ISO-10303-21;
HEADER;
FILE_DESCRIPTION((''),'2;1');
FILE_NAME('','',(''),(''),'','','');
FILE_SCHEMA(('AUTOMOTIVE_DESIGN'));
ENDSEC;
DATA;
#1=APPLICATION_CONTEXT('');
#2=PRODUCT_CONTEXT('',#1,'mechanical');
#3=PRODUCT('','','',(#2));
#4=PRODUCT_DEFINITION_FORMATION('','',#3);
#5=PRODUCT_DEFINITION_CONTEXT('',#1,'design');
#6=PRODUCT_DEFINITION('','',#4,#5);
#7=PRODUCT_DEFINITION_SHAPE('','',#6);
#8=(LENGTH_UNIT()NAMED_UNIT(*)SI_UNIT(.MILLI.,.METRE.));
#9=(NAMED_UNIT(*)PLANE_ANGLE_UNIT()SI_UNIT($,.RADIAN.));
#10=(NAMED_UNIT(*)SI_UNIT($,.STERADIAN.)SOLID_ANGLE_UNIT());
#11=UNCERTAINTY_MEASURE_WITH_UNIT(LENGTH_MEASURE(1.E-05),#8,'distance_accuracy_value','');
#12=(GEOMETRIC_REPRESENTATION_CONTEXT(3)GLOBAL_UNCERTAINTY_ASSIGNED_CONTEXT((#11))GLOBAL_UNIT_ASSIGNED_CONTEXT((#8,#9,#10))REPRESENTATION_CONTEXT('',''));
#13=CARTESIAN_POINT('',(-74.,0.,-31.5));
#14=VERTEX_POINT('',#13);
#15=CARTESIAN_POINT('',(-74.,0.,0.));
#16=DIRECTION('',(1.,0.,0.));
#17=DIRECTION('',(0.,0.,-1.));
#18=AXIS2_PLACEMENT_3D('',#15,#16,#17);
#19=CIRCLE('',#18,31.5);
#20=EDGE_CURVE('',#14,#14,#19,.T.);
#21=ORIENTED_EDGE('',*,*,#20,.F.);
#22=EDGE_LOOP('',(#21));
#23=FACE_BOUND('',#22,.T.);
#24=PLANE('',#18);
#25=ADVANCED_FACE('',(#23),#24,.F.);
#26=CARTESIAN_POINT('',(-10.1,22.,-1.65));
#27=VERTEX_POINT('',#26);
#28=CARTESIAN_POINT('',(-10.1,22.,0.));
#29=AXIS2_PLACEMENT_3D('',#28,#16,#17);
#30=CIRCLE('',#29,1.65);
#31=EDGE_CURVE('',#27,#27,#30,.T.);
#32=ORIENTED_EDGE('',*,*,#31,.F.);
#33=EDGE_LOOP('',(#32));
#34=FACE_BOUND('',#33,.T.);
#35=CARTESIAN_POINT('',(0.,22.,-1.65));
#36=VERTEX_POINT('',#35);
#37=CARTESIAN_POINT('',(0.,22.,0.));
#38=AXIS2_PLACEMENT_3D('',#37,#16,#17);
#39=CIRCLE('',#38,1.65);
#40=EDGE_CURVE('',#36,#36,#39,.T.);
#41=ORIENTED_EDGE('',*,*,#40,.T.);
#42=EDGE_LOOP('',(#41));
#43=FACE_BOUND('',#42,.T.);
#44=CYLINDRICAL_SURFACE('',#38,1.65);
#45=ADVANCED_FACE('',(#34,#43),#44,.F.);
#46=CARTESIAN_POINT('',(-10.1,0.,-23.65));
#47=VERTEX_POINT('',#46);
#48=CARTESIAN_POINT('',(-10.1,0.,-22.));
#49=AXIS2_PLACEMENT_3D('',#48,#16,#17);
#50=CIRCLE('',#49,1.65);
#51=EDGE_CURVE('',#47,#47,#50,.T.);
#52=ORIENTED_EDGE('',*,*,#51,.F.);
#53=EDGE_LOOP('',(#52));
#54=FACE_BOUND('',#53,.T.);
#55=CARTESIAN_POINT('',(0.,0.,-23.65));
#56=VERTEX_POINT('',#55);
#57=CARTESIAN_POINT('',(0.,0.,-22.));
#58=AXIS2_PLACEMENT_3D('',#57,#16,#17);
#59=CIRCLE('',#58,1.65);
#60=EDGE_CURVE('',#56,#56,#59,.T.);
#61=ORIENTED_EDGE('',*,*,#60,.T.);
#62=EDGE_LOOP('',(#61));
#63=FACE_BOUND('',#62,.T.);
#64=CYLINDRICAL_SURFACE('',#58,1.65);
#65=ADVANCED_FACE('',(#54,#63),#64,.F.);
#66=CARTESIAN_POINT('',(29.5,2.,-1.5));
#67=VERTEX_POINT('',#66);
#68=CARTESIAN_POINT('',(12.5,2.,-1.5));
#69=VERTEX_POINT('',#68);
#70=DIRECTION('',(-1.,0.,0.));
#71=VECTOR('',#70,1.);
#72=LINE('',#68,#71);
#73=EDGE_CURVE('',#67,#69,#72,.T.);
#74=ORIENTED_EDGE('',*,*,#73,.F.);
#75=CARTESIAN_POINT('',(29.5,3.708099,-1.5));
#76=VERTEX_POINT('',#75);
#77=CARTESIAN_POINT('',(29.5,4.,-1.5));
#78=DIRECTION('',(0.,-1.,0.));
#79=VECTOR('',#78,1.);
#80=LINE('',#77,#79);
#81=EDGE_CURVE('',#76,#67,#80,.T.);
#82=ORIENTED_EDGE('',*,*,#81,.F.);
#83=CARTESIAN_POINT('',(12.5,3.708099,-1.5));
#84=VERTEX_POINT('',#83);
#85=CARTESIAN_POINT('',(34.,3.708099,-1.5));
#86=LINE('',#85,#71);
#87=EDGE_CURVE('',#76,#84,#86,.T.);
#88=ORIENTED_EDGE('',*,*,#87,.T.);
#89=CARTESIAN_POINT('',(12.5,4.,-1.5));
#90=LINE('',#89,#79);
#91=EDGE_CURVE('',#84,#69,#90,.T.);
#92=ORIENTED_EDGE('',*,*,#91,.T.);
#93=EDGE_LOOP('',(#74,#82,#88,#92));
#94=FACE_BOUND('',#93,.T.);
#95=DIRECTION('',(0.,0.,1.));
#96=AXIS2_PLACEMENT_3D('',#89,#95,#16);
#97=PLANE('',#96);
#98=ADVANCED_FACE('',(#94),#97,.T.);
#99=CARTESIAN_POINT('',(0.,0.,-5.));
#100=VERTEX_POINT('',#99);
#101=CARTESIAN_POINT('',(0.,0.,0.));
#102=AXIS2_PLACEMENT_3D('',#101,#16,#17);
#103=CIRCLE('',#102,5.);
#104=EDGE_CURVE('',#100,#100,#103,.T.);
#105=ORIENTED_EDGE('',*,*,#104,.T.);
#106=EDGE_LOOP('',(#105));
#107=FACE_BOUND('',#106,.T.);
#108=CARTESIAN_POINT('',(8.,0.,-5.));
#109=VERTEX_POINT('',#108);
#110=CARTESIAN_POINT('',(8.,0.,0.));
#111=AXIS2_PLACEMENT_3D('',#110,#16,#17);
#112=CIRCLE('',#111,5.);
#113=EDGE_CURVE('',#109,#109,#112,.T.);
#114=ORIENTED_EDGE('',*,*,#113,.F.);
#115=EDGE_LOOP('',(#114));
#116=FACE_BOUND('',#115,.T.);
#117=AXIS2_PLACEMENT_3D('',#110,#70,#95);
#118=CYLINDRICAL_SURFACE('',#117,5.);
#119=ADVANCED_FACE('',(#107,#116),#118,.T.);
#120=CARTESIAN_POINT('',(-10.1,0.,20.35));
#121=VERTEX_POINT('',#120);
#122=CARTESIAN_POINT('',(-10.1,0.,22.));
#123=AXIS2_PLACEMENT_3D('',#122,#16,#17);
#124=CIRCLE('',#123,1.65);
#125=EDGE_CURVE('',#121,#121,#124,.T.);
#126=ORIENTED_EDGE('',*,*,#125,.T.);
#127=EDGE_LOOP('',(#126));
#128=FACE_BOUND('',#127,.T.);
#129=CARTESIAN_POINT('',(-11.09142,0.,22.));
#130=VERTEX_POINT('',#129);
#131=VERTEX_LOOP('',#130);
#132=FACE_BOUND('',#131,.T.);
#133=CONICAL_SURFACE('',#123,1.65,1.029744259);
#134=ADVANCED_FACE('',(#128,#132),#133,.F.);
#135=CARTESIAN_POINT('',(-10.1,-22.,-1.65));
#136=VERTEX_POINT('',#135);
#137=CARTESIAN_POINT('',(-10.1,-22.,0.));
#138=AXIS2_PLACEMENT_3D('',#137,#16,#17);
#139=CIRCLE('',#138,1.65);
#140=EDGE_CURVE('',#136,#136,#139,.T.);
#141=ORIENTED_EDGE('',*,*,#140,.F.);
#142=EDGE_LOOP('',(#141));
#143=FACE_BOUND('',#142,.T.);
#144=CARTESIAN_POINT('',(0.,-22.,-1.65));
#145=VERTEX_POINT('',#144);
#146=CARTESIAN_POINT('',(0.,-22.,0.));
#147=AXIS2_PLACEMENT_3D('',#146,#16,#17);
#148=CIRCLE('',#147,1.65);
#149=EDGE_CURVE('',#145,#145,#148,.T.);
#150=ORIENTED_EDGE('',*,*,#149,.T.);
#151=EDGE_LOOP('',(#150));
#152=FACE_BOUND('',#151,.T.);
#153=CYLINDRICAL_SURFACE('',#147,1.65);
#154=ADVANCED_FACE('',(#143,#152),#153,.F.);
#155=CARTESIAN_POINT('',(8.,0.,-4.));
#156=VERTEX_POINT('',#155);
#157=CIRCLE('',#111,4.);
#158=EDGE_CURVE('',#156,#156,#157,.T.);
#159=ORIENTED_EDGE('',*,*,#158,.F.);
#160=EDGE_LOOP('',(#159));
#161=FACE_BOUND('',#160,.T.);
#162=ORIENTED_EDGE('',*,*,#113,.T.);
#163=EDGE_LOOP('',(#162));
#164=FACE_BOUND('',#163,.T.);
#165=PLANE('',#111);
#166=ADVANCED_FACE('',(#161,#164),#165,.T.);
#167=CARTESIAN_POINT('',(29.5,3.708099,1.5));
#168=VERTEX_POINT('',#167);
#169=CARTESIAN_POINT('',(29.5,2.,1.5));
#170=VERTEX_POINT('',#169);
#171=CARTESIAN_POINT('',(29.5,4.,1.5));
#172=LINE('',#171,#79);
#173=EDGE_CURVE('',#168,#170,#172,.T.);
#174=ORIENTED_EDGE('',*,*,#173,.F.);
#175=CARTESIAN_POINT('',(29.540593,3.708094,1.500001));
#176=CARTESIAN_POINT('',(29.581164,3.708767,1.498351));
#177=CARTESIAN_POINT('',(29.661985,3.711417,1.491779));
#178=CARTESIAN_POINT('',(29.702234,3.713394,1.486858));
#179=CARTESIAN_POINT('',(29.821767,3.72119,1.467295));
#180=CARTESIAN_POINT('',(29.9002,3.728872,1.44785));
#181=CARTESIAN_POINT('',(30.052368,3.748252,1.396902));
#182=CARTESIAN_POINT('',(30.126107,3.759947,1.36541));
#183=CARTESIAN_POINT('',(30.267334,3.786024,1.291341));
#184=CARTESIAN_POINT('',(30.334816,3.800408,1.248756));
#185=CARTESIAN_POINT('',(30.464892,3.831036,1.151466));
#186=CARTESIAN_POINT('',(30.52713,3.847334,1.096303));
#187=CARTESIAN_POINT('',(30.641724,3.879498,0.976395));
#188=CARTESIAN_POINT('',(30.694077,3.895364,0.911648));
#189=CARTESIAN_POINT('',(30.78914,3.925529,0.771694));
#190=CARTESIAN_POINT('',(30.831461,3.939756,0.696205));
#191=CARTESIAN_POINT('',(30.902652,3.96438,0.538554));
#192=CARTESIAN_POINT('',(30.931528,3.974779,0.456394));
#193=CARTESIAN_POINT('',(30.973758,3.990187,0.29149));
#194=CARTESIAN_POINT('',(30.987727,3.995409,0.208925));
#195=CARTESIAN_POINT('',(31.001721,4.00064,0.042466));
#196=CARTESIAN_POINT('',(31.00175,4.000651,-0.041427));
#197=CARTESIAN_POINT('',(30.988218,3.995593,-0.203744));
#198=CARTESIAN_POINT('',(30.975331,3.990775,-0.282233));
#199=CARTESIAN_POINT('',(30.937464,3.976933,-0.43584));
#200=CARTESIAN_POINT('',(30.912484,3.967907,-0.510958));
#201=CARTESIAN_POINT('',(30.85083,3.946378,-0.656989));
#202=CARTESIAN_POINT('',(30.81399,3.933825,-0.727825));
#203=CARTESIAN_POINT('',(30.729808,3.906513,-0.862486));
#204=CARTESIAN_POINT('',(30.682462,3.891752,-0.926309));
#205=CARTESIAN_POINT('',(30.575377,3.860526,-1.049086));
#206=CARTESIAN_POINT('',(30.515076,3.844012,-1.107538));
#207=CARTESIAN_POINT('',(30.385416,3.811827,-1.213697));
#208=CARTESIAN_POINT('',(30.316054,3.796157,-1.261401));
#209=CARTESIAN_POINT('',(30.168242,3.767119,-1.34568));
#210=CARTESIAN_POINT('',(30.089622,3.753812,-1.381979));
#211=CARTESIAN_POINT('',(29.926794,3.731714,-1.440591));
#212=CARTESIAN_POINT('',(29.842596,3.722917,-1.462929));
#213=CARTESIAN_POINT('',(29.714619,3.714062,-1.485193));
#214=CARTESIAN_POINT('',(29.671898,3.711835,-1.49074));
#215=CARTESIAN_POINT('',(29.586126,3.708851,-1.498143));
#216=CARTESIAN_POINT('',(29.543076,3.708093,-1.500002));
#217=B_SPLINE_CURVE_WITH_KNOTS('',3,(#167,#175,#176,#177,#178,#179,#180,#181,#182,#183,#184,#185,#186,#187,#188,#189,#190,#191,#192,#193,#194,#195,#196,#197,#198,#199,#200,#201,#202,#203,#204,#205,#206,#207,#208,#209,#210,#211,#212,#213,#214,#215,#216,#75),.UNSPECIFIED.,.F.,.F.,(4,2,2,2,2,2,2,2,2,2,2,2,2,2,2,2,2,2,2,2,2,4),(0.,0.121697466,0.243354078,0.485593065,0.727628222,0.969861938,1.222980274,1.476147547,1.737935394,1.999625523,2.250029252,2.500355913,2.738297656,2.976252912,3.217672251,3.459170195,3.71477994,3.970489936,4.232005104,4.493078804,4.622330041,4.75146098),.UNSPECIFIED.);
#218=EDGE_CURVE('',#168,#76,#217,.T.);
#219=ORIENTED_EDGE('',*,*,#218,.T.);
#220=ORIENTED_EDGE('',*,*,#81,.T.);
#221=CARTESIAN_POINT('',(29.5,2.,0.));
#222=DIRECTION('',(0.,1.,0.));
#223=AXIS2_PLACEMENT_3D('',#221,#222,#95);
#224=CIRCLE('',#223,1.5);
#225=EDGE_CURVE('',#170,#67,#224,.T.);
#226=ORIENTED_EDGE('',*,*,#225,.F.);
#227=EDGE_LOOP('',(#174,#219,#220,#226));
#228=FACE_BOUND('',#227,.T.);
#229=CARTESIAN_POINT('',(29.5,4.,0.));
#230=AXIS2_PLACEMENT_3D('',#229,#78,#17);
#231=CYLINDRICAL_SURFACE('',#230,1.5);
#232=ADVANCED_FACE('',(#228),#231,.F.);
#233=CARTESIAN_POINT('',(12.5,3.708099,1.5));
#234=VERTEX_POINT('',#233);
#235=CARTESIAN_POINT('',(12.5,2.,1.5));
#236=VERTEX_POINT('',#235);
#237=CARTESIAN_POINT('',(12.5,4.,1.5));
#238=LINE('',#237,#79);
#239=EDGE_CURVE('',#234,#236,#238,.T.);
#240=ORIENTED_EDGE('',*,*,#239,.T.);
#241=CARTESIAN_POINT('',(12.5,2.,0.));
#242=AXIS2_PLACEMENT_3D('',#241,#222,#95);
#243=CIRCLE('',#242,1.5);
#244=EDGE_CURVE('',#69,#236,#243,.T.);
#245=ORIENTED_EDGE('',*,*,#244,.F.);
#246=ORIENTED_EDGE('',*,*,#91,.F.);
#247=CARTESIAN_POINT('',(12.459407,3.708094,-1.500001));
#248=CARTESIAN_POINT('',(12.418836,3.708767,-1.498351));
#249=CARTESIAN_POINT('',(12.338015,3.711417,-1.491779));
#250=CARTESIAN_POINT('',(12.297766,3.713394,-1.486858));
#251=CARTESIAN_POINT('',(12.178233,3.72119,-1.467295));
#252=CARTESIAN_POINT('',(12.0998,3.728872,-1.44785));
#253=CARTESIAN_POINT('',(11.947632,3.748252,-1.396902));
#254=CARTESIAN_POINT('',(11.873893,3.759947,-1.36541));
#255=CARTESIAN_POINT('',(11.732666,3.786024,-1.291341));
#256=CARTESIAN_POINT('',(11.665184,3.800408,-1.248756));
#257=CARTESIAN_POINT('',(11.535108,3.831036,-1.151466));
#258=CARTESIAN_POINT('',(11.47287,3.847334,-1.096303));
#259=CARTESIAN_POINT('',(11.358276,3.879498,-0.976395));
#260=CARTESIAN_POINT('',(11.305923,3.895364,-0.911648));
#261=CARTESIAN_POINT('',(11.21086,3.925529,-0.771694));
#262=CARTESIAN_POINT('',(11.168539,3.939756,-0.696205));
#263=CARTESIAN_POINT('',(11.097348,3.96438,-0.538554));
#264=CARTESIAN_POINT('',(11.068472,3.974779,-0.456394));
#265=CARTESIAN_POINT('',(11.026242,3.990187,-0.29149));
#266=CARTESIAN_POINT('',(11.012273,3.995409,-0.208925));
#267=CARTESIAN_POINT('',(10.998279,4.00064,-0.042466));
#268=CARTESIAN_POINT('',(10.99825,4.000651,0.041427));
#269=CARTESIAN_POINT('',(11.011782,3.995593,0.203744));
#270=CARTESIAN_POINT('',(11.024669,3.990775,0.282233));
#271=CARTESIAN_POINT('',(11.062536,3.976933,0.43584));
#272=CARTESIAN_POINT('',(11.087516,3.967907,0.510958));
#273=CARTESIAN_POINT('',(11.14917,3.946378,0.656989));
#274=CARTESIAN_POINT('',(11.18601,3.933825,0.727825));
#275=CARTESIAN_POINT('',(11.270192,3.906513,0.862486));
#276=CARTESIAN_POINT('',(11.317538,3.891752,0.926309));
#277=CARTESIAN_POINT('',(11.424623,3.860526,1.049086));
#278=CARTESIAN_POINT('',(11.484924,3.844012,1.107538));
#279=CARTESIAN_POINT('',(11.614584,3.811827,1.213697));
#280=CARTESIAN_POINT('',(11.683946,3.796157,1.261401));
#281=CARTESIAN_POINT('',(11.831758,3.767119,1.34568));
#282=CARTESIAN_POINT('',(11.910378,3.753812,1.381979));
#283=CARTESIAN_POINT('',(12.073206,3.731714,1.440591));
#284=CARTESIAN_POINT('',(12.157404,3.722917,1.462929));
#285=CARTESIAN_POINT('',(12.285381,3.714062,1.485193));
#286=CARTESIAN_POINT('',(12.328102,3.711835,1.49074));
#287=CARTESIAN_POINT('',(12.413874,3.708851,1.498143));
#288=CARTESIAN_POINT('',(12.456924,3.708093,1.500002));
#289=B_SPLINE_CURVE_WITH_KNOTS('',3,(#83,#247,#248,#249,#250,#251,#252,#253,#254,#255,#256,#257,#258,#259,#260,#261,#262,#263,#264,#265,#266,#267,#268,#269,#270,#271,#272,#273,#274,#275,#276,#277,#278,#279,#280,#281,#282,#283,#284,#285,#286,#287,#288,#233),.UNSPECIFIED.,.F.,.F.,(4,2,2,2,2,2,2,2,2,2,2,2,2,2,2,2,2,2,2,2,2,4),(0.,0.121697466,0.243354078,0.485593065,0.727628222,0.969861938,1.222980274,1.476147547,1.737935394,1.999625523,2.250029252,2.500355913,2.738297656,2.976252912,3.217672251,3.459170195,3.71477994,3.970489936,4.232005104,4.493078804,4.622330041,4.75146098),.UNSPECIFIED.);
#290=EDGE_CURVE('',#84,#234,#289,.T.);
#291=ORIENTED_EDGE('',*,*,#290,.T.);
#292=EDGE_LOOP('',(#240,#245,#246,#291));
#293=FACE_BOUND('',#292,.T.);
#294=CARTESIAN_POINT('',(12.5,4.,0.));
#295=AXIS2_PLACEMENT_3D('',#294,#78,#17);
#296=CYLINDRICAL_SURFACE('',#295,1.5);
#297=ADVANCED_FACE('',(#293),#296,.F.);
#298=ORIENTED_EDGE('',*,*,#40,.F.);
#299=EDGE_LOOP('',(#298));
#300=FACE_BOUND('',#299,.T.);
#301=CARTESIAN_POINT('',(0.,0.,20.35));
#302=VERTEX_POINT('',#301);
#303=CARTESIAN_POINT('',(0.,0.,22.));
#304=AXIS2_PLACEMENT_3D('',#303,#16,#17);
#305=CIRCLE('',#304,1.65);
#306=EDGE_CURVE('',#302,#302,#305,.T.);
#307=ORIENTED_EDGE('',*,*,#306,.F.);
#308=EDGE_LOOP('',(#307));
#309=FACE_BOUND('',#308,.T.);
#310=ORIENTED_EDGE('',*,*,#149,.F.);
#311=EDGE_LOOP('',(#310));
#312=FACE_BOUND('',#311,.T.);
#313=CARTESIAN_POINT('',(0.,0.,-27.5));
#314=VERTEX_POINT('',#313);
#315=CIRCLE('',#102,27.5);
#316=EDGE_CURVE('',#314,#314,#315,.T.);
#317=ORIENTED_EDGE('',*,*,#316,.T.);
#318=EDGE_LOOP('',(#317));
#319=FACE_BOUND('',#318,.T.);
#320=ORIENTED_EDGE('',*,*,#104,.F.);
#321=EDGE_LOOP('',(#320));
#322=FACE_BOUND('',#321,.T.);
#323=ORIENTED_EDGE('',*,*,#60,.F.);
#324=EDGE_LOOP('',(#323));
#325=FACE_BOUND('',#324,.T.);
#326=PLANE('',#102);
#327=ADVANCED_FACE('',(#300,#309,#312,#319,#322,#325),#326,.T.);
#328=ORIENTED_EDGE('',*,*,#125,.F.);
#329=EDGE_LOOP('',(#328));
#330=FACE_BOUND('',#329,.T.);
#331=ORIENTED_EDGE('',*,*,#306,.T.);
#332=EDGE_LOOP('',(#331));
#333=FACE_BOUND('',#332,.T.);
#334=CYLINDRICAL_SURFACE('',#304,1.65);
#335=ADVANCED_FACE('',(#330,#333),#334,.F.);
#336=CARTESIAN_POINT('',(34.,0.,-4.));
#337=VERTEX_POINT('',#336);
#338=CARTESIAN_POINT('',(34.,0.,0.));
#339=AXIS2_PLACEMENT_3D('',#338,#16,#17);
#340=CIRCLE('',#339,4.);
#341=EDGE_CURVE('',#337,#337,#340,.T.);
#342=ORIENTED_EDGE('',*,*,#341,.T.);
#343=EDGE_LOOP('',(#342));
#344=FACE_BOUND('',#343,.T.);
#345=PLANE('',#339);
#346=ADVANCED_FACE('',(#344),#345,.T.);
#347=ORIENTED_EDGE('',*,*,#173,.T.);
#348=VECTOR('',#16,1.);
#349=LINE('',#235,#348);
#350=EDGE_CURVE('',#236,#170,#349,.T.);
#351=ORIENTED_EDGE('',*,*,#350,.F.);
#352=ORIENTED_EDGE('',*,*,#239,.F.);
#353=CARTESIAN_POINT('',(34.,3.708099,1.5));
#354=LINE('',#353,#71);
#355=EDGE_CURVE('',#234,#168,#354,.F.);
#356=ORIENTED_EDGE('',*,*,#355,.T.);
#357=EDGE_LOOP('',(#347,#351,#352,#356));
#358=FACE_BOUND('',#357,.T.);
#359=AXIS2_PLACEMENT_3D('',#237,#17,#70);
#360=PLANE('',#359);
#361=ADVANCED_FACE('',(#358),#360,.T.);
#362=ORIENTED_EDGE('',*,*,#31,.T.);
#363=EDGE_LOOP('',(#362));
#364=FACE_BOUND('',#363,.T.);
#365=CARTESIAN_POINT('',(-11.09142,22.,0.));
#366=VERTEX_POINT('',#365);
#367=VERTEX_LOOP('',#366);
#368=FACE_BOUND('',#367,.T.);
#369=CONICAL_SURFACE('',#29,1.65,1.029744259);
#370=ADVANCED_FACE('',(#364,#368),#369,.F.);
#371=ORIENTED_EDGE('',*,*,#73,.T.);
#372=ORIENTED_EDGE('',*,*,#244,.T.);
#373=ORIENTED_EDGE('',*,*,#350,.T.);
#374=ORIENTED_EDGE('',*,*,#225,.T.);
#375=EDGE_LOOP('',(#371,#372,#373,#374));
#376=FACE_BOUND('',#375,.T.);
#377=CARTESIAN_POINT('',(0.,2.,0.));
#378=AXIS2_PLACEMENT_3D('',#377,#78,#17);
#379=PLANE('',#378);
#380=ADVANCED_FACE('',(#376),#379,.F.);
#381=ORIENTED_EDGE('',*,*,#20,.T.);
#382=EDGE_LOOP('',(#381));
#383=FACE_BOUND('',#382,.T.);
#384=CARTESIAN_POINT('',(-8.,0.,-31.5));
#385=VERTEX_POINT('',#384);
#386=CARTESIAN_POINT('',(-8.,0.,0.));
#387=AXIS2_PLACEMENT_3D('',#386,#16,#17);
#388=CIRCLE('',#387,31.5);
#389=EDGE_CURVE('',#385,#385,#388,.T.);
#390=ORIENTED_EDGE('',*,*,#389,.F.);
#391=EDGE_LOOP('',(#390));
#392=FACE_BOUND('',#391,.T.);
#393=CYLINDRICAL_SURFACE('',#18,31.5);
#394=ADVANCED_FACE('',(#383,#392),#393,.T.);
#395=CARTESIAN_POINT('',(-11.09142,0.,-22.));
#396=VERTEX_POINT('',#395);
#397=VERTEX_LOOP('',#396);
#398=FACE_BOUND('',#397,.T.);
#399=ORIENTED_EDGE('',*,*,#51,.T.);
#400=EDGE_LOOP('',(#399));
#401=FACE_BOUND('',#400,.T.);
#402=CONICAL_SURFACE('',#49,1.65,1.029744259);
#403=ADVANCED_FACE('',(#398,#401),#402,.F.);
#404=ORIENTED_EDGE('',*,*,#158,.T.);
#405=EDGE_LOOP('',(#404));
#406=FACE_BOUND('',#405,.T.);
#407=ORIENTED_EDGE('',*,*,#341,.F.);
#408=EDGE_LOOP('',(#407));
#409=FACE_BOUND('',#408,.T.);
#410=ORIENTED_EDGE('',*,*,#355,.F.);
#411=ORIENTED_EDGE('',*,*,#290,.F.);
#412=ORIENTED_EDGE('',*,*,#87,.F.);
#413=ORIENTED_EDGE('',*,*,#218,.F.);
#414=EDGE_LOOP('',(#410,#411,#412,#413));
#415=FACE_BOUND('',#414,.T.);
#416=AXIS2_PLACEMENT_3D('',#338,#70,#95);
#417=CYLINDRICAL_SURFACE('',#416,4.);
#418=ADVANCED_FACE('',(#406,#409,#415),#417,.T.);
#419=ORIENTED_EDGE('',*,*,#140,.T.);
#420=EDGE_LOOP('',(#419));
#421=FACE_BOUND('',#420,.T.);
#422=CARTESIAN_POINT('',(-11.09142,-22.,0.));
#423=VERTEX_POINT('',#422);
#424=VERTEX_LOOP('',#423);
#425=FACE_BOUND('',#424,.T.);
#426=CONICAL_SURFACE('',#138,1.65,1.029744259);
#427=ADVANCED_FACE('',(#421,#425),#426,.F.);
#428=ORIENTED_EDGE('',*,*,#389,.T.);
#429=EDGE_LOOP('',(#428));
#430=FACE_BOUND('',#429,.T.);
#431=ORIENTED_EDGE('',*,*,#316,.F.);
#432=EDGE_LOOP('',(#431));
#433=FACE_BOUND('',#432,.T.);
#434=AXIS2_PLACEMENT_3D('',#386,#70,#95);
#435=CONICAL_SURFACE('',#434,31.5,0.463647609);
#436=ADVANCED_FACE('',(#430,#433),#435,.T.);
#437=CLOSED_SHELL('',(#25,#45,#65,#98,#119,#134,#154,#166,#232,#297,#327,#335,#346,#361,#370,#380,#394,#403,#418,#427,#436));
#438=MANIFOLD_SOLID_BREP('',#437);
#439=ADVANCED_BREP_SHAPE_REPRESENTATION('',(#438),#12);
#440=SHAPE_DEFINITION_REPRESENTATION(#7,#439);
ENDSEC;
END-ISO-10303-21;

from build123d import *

# Parameters (mm, degrees)
SKETCH_1_R          = 31.5
EXTRUDE_1_DEPTH     = 74
SKETCH_2_R          = 5
EXTRUDE_2_DEPTH     = 8
SKETCH_3_R          = 4
EXTRUDE_3_DEPTH     = 26
CUT_EXTRUDE_1_DEPTH = 2
M4X0_7_1_D          = 3.3
M4X0_7_1_DEPTH      = 10.1
M4X0_7_1_TIP        = 0.991420021


with BuildPart() as part:
    # 草图1 → 凸台-拉伸1 (new body)
    with BuildSketch(Plane(origin=(0, 0, 0), x_dir=(0, 0, -1), z_dir=(1, 0, 0))):
        Circle(SKETCH_1_R)
    extrude(amount=-EXTRUDE_1_DEPTH)

    # 草图2 → 凸台-拉伸2 (add)
    with BuildSketch(Plane(origin=(0, 0, 0), x_dir=(0, 0, -1), z_dir=(1, 0, 0))):
        Circle(SKETCH_2_R)
    extrude(amount=EXTRUDE_2_DEPTH)

    # 草图3 → 凸台-拉伸3 (add)
    with BuildSketch(Plane(origin=(8, 0, 0), x_dir=(0, 0, -1), z_dir=(1, 0, 0))):
        with Locations(Location((0, 0, 0), (0, 0, 180))):
            Circle(SKETCH_3_R)
    extrude(amount=EXTRUDE_3_DEPTH)

    # Sketch 3D_1 → 切除-拉伸1 (cut)
    with BuildSketch(Plane(origin=(12.5, 4, 1.5), x_dir=(0.9847835588179368, 0, -0.17378533390904766), z_dir=(0, -1, 0))):
        with BuildLine():
            Line((0, 0), (16.7413205, 2.954350676))
            ThreePointArc((16.7413205, 2.954350676), (18.479173839, 1.737853339), (17.262676502, 0))
            Line((17.262676502, 0), (0.521356002, -2.954350676))
            ThreePointArc((0.521356002, -2.954350676), (-1.216497337, -1.737853339), (0, 0))
        make_face()
    extrude(amount=CUT_EXTRUDE_1_DEPTH, mode=Mode.SUBTRACT)

    # M4x0.7 螺纹孔1
    with Locations(Plane(origin=(0, 22, 0), x_dir=(0, 0, 1), z_dir=(1, 0, 0))):
        with Locations((0, 0), (-22, 22), (0, 44), (22, 22)):
            Hole(M4X0_7_1_D / 2, depth=M4X0_7_1_DEPTH)
            with Locations((0, 0, -(M4X0_7_1_DEPTH + M4X0_7_1_TIP / 2))):  # 118° drill point
                Cone(0, M4X0_7_1_D / 2, M4X0_7_1_TIP, mode=Mode.SUBTRACT)

    # 草图9 → 切除-旋转1 (revolve, cut)
    with BuildSketch(Plane.XY, mode=Mode.PRIVATE) as cut_revolve_1_sk:
        Polygon((0, 31.5), (0, 27.5), (-8, 31.5), align=None)
    revolve(cut_revolve_1_sk.sketch.rotate(Axis((0, 0, 0), (-1, 0, 0)), 90), axis=Axis((0, 0, 0), (-1, 0, 0)), mode=Mode.SUBTRACT)


solid = part.part
